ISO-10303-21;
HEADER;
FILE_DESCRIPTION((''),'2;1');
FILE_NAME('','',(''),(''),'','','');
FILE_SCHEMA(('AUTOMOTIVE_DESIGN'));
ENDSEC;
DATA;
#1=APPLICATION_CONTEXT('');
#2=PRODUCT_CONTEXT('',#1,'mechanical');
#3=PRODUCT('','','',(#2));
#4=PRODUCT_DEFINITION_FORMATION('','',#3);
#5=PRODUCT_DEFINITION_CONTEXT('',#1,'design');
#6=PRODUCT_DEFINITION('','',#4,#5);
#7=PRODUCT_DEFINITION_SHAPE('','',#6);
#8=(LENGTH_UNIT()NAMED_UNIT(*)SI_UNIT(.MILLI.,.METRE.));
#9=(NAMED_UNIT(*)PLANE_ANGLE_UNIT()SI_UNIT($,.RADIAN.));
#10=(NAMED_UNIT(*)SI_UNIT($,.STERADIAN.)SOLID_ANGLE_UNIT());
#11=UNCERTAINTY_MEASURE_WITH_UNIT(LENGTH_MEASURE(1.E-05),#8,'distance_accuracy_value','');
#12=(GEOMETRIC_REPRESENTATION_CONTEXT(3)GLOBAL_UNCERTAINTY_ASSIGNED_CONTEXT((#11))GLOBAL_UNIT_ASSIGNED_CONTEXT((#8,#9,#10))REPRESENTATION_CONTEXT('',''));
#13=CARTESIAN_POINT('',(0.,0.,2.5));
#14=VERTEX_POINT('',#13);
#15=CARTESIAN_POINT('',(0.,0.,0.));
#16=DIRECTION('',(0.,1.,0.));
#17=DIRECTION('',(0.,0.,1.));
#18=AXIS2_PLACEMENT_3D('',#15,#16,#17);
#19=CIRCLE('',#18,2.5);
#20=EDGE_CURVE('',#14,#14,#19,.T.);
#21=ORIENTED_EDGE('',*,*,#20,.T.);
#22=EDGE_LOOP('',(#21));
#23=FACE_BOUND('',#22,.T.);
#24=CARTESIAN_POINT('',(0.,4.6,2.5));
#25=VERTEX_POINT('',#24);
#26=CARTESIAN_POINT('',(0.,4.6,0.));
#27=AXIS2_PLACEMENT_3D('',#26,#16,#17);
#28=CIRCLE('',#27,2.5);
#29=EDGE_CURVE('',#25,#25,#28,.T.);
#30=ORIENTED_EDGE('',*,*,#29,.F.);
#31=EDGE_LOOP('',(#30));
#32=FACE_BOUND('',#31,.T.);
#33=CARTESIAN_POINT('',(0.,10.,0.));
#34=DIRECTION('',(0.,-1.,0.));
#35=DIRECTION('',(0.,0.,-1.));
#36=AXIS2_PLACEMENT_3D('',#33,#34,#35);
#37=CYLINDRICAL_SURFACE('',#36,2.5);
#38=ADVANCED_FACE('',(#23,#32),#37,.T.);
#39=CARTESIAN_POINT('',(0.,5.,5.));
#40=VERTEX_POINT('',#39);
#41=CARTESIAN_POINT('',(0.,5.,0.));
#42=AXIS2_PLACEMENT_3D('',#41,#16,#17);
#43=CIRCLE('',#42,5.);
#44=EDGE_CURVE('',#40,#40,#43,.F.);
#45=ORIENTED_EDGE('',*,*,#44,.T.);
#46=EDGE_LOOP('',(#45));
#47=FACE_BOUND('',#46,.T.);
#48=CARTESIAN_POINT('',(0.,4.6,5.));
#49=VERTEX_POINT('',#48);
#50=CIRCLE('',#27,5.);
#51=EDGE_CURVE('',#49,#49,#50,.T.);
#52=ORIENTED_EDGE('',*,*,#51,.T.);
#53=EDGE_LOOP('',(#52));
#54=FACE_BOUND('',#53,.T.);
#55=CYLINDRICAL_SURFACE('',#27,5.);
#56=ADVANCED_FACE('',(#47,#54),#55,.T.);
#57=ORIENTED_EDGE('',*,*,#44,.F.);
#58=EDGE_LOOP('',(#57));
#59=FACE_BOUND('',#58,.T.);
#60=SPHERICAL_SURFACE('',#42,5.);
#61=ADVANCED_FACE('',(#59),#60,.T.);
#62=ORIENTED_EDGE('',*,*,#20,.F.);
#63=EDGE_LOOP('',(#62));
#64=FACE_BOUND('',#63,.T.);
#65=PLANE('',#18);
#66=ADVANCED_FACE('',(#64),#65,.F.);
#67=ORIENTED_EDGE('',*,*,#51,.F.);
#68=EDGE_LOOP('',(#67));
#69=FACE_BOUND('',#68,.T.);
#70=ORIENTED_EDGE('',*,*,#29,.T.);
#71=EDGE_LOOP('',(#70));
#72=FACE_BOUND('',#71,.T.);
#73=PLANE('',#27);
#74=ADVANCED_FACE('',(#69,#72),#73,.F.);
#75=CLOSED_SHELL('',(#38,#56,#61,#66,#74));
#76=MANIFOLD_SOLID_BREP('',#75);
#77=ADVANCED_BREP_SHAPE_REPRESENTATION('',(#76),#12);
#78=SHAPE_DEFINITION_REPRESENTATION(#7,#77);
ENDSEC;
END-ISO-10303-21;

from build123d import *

# Parameters (mm, degrees)
SKETCH1_R           = 2.5
BOSS_EXTRUDE1_DEPTH = 10
SKETCH2_R           = 5
BOSS_EXTRUDE2_DEPTH = 5.4
FILLET1_R           = 5


with BuildPart() as part:
    # Sketch1 → Boss-Extrude1 (new body)
    with BuildSketch(Plane(origin=(0, 0, 0), x_dir=(1, 0, 0), z_dir=(0, 1, 0))):
        Circle(SKETCH1_R)
    extrude(amount=BOSS_EXTRUDE1_DEPTH)

    # Sketch2 → Boss-Extrude2 (add)
    with BuildSketch(Plane(origin=(0, 10, 0), x_dir=(1, 0, 0), z_dir=(0, 1, 0))):
        Circle(SKETCH2_R)
    extrude(amount=-BOSS_EXTRUDE2_DEPTH)

    # Fillet1
    fillet1_edges = [part.edges().sort_by_distance(p)[0] for p in [
        (-5, 10, 0),
    ]]
    fillet(fillet1_edges, radius=FILLET1_R)


solid = part.part
